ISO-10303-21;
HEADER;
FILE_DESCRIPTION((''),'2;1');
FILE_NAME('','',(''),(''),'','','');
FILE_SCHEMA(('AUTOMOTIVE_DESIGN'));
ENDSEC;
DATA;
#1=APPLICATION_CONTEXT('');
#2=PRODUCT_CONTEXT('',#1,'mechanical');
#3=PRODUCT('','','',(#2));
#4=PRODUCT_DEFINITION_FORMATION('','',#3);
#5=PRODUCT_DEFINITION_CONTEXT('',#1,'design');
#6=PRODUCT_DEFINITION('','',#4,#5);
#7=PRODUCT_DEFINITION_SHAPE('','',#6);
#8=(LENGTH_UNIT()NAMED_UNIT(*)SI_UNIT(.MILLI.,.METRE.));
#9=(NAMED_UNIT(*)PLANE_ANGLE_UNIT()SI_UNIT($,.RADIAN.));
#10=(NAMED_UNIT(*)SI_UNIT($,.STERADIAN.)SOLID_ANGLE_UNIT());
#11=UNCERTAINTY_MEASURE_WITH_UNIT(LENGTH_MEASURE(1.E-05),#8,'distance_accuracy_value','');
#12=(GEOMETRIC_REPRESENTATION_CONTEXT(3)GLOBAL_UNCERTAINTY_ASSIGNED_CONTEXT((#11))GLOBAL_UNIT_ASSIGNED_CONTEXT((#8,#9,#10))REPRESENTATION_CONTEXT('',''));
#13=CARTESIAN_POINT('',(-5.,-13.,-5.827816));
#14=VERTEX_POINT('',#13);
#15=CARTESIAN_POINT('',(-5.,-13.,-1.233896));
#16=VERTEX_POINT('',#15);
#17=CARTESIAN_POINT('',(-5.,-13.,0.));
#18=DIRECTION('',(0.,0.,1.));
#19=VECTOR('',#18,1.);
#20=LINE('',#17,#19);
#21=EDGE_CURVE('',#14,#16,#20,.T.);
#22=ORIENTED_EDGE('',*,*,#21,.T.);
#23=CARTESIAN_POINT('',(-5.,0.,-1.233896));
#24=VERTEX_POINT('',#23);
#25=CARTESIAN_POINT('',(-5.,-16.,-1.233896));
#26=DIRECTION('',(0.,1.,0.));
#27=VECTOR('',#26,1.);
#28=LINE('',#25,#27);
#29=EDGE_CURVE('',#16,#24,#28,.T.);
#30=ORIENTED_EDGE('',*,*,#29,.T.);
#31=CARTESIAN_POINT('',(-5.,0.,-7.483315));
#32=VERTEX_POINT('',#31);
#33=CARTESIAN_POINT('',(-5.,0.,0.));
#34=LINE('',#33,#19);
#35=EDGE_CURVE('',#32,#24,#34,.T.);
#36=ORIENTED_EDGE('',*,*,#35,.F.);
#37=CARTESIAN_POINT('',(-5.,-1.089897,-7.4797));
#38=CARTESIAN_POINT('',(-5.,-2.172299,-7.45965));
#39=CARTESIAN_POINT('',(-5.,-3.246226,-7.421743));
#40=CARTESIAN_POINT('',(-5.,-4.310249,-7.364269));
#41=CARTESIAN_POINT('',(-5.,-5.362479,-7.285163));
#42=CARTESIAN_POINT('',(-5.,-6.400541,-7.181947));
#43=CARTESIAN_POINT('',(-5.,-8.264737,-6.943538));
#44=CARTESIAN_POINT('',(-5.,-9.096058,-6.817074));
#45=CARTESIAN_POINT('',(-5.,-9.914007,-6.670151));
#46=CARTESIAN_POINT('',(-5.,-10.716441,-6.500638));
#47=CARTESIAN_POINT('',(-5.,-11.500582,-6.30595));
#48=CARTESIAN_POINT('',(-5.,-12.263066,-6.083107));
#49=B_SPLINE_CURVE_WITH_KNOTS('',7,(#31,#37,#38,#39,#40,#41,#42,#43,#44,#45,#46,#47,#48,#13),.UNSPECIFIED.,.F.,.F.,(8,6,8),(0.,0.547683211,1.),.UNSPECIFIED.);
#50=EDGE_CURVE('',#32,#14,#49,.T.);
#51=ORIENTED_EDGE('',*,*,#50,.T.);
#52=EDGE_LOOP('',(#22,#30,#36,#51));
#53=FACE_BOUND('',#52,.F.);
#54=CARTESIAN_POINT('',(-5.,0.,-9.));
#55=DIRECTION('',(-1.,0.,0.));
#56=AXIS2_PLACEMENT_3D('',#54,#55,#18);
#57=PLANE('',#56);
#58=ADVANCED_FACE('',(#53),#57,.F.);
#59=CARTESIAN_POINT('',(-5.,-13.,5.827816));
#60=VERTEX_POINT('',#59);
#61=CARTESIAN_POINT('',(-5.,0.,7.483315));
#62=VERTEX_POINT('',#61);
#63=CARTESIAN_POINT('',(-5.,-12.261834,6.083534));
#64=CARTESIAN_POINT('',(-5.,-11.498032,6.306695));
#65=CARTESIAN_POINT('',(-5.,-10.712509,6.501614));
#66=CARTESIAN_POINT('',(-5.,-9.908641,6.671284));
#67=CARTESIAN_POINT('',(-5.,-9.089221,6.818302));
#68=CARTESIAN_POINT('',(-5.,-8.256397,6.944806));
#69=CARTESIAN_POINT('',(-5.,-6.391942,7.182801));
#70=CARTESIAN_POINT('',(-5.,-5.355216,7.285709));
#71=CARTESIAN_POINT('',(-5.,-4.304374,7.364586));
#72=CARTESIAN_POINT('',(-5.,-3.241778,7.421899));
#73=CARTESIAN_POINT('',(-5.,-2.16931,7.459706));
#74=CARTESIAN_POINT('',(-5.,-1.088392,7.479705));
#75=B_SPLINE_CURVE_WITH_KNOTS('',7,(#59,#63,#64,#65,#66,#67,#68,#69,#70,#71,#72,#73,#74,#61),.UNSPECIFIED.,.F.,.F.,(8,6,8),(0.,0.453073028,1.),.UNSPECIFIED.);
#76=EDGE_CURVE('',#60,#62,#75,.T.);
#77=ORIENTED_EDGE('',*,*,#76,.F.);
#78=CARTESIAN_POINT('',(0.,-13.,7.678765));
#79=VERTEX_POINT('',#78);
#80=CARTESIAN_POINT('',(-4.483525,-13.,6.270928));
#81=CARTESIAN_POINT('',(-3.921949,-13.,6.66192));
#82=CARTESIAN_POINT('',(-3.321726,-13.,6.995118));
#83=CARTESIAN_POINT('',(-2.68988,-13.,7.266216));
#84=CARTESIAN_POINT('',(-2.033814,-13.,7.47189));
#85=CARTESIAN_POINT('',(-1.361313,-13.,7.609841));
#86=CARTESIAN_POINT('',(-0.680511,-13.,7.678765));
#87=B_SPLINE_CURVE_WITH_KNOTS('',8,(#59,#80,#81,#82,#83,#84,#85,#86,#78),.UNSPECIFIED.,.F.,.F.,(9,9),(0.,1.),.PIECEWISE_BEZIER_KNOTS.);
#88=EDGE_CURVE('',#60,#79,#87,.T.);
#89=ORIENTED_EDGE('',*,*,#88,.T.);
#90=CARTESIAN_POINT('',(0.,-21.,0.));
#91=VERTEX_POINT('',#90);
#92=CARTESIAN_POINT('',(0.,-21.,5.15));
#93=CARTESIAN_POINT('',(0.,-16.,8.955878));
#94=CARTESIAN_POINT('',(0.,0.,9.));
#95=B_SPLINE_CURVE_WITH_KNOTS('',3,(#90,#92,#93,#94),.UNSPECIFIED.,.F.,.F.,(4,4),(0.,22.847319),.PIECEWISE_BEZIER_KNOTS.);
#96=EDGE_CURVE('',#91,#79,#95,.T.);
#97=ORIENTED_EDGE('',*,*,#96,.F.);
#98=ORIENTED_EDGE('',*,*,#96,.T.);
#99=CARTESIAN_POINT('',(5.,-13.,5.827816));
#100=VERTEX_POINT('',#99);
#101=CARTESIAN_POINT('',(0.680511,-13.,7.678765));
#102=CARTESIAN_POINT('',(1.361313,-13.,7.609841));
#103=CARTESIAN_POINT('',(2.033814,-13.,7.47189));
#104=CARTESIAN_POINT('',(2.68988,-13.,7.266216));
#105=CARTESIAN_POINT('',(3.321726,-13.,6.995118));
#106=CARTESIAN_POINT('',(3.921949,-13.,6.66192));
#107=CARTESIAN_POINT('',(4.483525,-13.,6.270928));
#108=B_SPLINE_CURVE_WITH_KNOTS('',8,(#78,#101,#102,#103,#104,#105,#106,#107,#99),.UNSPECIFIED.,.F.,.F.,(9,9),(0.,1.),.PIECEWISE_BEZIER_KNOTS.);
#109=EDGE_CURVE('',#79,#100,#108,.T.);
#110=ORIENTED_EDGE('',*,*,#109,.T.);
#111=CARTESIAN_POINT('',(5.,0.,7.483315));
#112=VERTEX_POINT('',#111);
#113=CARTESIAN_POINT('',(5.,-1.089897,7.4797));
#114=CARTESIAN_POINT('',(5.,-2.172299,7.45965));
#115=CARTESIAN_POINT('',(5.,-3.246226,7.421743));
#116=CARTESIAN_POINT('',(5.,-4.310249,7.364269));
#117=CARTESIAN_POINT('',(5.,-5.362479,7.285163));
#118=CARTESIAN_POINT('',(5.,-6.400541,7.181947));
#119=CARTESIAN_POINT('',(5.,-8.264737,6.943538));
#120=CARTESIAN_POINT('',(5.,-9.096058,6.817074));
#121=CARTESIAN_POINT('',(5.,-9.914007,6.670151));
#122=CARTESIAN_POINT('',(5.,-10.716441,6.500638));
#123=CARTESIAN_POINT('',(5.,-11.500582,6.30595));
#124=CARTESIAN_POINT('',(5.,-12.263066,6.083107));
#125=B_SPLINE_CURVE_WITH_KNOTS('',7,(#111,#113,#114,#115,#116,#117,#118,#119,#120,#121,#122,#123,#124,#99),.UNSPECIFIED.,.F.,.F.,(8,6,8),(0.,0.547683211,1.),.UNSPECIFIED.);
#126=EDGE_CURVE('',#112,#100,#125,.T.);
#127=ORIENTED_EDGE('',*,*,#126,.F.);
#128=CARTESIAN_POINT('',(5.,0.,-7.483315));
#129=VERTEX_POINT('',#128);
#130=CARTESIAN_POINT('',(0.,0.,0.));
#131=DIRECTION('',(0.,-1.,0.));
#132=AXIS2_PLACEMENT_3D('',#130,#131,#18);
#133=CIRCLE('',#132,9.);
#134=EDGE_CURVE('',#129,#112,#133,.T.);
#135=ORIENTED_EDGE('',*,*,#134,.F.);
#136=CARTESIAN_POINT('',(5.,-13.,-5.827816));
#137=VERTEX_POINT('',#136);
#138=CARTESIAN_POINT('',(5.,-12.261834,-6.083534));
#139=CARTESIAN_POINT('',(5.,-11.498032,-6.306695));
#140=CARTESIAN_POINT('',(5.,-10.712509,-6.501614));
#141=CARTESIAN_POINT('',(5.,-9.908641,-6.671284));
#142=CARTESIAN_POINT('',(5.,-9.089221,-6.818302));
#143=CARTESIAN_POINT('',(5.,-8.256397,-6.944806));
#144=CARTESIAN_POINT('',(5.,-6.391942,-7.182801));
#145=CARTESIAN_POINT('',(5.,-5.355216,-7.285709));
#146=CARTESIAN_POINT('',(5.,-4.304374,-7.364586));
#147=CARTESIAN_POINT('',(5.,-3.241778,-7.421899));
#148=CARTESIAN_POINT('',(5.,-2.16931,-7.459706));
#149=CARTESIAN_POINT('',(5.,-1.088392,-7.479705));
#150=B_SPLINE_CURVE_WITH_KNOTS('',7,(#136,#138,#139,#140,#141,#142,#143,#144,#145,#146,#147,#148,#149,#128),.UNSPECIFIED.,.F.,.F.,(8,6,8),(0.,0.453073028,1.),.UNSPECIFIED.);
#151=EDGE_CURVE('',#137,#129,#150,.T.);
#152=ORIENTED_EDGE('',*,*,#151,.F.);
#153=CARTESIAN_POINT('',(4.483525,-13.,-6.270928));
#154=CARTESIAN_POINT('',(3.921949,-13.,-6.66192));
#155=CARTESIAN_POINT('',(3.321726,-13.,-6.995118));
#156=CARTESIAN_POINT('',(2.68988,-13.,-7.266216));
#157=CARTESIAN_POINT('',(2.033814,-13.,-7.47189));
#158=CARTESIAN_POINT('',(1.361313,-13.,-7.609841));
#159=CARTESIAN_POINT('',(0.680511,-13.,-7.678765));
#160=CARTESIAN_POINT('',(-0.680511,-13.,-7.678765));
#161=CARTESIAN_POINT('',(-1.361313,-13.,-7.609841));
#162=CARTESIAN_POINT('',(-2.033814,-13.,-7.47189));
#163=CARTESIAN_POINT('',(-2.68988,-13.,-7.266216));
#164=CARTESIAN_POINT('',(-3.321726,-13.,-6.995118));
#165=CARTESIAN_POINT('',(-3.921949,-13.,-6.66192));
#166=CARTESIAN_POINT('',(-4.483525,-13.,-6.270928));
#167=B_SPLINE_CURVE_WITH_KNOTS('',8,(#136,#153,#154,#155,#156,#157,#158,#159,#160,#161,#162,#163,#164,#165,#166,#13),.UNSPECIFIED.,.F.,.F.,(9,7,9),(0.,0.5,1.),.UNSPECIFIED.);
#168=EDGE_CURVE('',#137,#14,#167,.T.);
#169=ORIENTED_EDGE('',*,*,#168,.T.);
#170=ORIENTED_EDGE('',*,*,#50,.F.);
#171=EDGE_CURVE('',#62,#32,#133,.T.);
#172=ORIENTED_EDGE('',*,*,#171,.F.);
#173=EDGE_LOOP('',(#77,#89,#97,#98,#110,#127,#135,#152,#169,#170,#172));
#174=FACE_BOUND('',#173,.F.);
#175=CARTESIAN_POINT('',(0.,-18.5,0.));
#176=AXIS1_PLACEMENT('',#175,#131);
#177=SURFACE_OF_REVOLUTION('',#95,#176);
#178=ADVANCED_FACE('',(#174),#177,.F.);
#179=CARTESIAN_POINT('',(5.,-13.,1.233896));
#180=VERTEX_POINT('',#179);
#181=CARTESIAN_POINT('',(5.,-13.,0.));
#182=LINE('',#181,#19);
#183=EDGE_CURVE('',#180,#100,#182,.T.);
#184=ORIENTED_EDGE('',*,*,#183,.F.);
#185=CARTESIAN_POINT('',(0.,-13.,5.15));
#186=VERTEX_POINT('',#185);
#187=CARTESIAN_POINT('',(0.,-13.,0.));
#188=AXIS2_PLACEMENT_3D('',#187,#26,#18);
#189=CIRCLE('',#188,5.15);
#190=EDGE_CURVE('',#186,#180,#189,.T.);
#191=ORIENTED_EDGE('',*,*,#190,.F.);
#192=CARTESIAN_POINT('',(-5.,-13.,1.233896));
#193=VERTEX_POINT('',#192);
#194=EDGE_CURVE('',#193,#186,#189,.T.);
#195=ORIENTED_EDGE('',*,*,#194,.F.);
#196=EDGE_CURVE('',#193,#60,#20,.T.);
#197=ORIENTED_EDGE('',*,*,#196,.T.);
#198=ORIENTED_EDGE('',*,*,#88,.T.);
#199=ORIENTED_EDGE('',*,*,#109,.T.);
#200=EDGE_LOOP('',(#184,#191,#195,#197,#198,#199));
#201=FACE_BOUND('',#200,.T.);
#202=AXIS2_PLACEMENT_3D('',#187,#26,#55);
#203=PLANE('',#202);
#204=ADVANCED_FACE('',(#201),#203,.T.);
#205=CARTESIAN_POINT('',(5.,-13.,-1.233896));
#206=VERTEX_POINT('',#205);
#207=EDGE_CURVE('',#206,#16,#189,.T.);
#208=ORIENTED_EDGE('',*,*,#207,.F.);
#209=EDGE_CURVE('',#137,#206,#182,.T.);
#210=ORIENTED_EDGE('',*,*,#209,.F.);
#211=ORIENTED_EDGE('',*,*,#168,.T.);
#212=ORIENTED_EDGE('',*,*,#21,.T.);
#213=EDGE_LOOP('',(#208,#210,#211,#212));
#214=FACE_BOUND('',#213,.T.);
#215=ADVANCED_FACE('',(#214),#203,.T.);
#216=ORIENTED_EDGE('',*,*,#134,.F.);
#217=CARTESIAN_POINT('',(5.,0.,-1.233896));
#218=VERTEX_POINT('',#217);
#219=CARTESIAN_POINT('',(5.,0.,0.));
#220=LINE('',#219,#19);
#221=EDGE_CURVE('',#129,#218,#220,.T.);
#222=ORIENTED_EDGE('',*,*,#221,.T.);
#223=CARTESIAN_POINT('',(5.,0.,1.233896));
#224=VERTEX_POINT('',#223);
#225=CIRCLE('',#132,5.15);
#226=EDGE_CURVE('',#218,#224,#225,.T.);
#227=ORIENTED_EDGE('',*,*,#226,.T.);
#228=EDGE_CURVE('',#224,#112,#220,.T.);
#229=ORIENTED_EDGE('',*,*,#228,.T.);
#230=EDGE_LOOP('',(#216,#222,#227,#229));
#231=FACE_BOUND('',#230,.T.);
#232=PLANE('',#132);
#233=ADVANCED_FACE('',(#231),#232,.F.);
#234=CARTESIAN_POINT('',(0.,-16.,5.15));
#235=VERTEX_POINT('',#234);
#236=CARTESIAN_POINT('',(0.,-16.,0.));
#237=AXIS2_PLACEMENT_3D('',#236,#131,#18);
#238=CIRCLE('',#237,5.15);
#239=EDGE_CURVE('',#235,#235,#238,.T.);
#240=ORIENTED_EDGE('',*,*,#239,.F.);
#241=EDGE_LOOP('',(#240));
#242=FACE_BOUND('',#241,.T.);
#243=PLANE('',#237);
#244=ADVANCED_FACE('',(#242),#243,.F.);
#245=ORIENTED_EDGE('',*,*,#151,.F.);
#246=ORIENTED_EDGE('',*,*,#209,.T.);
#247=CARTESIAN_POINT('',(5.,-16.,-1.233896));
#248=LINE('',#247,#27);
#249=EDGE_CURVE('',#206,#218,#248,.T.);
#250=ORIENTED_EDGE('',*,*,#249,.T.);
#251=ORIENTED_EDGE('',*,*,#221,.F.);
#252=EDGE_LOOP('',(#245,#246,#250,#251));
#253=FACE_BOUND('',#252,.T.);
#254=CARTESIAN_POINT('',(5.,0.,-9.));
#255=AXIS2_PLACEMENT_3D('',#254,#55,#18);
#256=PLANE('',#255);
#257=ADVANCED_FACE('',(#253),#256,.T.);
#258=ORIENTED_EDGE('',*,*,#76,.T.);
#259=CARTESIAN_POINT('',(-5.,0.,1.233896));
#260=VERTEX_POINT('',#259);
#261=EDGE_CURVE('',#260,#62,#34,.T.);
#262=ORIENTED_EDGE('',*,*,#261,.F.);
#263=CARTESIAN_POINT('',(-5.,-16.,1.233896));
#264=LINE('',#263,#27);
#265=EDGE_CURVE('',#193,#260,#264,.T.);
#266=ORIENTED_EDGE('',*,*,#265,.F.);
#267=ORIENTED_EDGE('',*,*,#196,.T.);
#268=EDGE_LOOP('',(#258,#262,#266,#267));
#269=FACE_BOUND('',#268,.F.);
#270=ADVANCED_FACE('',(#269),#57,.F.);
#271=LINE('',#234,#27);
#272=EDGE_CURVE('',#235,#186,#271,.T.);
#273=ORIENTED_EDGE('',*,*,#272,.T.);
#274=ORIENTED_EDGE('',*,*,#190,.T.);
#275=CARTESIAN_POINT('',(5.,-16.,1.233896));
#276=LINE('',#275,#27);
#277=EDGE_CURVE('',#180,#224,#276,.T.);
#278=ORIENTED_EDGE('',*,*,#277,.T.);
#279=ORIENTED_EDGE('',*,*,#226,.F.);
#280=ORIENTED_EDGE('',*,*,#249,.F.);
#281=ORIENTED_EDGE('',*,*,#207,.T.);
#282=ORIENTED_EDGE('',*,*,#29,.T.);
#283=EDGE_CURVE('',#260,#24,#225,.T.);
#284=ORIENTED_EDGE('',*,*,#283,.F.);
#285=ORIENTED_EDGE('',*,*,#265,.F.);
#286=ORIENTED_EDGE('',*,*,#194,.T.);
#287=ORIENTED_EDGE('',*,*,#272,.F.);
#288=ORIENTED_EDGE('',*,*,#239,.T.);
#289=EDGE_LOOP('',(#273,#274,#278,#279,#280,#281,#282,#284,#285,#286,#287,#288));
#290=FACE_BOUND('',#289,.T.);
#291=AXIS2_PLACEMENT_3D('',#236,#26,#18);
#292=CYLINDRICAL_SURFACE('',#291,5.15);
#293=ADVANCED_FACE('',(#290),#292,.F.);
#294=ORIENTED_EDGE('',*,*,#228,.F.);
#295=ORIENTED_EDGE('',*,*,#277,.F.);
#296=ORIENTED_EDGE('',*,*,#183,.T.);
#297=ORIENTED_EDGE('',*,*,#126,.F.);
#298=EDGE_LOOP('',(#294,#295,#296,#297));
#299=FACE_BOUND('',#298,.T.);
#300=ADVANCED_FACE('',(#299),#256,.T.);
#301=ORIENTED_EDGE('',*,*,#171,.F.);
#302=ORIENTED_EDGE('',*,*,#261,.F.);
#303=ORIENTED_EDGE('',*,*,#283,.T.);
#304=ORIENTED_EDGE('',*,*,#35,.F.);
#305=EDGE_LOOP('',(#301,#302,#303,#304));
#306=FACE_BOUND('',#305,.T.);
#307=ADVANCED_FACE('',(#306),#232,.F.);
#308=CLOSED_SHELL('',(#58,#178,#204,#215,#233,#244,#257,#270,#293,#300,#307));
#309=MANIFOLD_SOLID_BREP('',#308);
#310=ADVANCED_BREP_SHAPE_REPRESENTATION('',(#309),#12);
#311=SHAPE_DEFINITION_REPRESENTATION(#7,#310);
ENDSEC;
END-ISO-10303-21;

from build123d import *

# Parameters (mm, degrees)
F2_W     = 10
F2_H     = 18
F3_DEPTH = 13


with BuildPart() as f1:
    # F0 (on Right) → F1 (revolve)
    with BuildSketch(Plane.YZ):
        with BuildLine():
            Line((-16, 5.15), (0, 5.15))
            Line((0, 5.15), (0, 9))
            add(Edge.make_bspline(
                [(-21, 0), (-21, 5.15), (-16, 8.955878), (0, 9)],
                knots=[0, 0, 0, 0, 22.847319, 22.847319, 22.847319, 22.847319], degree=3))
            Line((-21, 0), (-16, 0))
            Line((-16, 0), (-16, 5.15))
        make_face()
    revolve(axis=Axis((0, -18.5, 0), (0, -1, 0)))

    # F2 (on face) → F3 (cut)
    with BuildSketch(Plane(origin=(0, 0, 0), x_dir=(-1, 0, 0), z_dir=(0, 1, 0))):
        Rectangle(F2_W, F2_H)
    extrude(amount=-F3_DEPTH, mode=Mode.SUBTRACT)


solid = f1.part
